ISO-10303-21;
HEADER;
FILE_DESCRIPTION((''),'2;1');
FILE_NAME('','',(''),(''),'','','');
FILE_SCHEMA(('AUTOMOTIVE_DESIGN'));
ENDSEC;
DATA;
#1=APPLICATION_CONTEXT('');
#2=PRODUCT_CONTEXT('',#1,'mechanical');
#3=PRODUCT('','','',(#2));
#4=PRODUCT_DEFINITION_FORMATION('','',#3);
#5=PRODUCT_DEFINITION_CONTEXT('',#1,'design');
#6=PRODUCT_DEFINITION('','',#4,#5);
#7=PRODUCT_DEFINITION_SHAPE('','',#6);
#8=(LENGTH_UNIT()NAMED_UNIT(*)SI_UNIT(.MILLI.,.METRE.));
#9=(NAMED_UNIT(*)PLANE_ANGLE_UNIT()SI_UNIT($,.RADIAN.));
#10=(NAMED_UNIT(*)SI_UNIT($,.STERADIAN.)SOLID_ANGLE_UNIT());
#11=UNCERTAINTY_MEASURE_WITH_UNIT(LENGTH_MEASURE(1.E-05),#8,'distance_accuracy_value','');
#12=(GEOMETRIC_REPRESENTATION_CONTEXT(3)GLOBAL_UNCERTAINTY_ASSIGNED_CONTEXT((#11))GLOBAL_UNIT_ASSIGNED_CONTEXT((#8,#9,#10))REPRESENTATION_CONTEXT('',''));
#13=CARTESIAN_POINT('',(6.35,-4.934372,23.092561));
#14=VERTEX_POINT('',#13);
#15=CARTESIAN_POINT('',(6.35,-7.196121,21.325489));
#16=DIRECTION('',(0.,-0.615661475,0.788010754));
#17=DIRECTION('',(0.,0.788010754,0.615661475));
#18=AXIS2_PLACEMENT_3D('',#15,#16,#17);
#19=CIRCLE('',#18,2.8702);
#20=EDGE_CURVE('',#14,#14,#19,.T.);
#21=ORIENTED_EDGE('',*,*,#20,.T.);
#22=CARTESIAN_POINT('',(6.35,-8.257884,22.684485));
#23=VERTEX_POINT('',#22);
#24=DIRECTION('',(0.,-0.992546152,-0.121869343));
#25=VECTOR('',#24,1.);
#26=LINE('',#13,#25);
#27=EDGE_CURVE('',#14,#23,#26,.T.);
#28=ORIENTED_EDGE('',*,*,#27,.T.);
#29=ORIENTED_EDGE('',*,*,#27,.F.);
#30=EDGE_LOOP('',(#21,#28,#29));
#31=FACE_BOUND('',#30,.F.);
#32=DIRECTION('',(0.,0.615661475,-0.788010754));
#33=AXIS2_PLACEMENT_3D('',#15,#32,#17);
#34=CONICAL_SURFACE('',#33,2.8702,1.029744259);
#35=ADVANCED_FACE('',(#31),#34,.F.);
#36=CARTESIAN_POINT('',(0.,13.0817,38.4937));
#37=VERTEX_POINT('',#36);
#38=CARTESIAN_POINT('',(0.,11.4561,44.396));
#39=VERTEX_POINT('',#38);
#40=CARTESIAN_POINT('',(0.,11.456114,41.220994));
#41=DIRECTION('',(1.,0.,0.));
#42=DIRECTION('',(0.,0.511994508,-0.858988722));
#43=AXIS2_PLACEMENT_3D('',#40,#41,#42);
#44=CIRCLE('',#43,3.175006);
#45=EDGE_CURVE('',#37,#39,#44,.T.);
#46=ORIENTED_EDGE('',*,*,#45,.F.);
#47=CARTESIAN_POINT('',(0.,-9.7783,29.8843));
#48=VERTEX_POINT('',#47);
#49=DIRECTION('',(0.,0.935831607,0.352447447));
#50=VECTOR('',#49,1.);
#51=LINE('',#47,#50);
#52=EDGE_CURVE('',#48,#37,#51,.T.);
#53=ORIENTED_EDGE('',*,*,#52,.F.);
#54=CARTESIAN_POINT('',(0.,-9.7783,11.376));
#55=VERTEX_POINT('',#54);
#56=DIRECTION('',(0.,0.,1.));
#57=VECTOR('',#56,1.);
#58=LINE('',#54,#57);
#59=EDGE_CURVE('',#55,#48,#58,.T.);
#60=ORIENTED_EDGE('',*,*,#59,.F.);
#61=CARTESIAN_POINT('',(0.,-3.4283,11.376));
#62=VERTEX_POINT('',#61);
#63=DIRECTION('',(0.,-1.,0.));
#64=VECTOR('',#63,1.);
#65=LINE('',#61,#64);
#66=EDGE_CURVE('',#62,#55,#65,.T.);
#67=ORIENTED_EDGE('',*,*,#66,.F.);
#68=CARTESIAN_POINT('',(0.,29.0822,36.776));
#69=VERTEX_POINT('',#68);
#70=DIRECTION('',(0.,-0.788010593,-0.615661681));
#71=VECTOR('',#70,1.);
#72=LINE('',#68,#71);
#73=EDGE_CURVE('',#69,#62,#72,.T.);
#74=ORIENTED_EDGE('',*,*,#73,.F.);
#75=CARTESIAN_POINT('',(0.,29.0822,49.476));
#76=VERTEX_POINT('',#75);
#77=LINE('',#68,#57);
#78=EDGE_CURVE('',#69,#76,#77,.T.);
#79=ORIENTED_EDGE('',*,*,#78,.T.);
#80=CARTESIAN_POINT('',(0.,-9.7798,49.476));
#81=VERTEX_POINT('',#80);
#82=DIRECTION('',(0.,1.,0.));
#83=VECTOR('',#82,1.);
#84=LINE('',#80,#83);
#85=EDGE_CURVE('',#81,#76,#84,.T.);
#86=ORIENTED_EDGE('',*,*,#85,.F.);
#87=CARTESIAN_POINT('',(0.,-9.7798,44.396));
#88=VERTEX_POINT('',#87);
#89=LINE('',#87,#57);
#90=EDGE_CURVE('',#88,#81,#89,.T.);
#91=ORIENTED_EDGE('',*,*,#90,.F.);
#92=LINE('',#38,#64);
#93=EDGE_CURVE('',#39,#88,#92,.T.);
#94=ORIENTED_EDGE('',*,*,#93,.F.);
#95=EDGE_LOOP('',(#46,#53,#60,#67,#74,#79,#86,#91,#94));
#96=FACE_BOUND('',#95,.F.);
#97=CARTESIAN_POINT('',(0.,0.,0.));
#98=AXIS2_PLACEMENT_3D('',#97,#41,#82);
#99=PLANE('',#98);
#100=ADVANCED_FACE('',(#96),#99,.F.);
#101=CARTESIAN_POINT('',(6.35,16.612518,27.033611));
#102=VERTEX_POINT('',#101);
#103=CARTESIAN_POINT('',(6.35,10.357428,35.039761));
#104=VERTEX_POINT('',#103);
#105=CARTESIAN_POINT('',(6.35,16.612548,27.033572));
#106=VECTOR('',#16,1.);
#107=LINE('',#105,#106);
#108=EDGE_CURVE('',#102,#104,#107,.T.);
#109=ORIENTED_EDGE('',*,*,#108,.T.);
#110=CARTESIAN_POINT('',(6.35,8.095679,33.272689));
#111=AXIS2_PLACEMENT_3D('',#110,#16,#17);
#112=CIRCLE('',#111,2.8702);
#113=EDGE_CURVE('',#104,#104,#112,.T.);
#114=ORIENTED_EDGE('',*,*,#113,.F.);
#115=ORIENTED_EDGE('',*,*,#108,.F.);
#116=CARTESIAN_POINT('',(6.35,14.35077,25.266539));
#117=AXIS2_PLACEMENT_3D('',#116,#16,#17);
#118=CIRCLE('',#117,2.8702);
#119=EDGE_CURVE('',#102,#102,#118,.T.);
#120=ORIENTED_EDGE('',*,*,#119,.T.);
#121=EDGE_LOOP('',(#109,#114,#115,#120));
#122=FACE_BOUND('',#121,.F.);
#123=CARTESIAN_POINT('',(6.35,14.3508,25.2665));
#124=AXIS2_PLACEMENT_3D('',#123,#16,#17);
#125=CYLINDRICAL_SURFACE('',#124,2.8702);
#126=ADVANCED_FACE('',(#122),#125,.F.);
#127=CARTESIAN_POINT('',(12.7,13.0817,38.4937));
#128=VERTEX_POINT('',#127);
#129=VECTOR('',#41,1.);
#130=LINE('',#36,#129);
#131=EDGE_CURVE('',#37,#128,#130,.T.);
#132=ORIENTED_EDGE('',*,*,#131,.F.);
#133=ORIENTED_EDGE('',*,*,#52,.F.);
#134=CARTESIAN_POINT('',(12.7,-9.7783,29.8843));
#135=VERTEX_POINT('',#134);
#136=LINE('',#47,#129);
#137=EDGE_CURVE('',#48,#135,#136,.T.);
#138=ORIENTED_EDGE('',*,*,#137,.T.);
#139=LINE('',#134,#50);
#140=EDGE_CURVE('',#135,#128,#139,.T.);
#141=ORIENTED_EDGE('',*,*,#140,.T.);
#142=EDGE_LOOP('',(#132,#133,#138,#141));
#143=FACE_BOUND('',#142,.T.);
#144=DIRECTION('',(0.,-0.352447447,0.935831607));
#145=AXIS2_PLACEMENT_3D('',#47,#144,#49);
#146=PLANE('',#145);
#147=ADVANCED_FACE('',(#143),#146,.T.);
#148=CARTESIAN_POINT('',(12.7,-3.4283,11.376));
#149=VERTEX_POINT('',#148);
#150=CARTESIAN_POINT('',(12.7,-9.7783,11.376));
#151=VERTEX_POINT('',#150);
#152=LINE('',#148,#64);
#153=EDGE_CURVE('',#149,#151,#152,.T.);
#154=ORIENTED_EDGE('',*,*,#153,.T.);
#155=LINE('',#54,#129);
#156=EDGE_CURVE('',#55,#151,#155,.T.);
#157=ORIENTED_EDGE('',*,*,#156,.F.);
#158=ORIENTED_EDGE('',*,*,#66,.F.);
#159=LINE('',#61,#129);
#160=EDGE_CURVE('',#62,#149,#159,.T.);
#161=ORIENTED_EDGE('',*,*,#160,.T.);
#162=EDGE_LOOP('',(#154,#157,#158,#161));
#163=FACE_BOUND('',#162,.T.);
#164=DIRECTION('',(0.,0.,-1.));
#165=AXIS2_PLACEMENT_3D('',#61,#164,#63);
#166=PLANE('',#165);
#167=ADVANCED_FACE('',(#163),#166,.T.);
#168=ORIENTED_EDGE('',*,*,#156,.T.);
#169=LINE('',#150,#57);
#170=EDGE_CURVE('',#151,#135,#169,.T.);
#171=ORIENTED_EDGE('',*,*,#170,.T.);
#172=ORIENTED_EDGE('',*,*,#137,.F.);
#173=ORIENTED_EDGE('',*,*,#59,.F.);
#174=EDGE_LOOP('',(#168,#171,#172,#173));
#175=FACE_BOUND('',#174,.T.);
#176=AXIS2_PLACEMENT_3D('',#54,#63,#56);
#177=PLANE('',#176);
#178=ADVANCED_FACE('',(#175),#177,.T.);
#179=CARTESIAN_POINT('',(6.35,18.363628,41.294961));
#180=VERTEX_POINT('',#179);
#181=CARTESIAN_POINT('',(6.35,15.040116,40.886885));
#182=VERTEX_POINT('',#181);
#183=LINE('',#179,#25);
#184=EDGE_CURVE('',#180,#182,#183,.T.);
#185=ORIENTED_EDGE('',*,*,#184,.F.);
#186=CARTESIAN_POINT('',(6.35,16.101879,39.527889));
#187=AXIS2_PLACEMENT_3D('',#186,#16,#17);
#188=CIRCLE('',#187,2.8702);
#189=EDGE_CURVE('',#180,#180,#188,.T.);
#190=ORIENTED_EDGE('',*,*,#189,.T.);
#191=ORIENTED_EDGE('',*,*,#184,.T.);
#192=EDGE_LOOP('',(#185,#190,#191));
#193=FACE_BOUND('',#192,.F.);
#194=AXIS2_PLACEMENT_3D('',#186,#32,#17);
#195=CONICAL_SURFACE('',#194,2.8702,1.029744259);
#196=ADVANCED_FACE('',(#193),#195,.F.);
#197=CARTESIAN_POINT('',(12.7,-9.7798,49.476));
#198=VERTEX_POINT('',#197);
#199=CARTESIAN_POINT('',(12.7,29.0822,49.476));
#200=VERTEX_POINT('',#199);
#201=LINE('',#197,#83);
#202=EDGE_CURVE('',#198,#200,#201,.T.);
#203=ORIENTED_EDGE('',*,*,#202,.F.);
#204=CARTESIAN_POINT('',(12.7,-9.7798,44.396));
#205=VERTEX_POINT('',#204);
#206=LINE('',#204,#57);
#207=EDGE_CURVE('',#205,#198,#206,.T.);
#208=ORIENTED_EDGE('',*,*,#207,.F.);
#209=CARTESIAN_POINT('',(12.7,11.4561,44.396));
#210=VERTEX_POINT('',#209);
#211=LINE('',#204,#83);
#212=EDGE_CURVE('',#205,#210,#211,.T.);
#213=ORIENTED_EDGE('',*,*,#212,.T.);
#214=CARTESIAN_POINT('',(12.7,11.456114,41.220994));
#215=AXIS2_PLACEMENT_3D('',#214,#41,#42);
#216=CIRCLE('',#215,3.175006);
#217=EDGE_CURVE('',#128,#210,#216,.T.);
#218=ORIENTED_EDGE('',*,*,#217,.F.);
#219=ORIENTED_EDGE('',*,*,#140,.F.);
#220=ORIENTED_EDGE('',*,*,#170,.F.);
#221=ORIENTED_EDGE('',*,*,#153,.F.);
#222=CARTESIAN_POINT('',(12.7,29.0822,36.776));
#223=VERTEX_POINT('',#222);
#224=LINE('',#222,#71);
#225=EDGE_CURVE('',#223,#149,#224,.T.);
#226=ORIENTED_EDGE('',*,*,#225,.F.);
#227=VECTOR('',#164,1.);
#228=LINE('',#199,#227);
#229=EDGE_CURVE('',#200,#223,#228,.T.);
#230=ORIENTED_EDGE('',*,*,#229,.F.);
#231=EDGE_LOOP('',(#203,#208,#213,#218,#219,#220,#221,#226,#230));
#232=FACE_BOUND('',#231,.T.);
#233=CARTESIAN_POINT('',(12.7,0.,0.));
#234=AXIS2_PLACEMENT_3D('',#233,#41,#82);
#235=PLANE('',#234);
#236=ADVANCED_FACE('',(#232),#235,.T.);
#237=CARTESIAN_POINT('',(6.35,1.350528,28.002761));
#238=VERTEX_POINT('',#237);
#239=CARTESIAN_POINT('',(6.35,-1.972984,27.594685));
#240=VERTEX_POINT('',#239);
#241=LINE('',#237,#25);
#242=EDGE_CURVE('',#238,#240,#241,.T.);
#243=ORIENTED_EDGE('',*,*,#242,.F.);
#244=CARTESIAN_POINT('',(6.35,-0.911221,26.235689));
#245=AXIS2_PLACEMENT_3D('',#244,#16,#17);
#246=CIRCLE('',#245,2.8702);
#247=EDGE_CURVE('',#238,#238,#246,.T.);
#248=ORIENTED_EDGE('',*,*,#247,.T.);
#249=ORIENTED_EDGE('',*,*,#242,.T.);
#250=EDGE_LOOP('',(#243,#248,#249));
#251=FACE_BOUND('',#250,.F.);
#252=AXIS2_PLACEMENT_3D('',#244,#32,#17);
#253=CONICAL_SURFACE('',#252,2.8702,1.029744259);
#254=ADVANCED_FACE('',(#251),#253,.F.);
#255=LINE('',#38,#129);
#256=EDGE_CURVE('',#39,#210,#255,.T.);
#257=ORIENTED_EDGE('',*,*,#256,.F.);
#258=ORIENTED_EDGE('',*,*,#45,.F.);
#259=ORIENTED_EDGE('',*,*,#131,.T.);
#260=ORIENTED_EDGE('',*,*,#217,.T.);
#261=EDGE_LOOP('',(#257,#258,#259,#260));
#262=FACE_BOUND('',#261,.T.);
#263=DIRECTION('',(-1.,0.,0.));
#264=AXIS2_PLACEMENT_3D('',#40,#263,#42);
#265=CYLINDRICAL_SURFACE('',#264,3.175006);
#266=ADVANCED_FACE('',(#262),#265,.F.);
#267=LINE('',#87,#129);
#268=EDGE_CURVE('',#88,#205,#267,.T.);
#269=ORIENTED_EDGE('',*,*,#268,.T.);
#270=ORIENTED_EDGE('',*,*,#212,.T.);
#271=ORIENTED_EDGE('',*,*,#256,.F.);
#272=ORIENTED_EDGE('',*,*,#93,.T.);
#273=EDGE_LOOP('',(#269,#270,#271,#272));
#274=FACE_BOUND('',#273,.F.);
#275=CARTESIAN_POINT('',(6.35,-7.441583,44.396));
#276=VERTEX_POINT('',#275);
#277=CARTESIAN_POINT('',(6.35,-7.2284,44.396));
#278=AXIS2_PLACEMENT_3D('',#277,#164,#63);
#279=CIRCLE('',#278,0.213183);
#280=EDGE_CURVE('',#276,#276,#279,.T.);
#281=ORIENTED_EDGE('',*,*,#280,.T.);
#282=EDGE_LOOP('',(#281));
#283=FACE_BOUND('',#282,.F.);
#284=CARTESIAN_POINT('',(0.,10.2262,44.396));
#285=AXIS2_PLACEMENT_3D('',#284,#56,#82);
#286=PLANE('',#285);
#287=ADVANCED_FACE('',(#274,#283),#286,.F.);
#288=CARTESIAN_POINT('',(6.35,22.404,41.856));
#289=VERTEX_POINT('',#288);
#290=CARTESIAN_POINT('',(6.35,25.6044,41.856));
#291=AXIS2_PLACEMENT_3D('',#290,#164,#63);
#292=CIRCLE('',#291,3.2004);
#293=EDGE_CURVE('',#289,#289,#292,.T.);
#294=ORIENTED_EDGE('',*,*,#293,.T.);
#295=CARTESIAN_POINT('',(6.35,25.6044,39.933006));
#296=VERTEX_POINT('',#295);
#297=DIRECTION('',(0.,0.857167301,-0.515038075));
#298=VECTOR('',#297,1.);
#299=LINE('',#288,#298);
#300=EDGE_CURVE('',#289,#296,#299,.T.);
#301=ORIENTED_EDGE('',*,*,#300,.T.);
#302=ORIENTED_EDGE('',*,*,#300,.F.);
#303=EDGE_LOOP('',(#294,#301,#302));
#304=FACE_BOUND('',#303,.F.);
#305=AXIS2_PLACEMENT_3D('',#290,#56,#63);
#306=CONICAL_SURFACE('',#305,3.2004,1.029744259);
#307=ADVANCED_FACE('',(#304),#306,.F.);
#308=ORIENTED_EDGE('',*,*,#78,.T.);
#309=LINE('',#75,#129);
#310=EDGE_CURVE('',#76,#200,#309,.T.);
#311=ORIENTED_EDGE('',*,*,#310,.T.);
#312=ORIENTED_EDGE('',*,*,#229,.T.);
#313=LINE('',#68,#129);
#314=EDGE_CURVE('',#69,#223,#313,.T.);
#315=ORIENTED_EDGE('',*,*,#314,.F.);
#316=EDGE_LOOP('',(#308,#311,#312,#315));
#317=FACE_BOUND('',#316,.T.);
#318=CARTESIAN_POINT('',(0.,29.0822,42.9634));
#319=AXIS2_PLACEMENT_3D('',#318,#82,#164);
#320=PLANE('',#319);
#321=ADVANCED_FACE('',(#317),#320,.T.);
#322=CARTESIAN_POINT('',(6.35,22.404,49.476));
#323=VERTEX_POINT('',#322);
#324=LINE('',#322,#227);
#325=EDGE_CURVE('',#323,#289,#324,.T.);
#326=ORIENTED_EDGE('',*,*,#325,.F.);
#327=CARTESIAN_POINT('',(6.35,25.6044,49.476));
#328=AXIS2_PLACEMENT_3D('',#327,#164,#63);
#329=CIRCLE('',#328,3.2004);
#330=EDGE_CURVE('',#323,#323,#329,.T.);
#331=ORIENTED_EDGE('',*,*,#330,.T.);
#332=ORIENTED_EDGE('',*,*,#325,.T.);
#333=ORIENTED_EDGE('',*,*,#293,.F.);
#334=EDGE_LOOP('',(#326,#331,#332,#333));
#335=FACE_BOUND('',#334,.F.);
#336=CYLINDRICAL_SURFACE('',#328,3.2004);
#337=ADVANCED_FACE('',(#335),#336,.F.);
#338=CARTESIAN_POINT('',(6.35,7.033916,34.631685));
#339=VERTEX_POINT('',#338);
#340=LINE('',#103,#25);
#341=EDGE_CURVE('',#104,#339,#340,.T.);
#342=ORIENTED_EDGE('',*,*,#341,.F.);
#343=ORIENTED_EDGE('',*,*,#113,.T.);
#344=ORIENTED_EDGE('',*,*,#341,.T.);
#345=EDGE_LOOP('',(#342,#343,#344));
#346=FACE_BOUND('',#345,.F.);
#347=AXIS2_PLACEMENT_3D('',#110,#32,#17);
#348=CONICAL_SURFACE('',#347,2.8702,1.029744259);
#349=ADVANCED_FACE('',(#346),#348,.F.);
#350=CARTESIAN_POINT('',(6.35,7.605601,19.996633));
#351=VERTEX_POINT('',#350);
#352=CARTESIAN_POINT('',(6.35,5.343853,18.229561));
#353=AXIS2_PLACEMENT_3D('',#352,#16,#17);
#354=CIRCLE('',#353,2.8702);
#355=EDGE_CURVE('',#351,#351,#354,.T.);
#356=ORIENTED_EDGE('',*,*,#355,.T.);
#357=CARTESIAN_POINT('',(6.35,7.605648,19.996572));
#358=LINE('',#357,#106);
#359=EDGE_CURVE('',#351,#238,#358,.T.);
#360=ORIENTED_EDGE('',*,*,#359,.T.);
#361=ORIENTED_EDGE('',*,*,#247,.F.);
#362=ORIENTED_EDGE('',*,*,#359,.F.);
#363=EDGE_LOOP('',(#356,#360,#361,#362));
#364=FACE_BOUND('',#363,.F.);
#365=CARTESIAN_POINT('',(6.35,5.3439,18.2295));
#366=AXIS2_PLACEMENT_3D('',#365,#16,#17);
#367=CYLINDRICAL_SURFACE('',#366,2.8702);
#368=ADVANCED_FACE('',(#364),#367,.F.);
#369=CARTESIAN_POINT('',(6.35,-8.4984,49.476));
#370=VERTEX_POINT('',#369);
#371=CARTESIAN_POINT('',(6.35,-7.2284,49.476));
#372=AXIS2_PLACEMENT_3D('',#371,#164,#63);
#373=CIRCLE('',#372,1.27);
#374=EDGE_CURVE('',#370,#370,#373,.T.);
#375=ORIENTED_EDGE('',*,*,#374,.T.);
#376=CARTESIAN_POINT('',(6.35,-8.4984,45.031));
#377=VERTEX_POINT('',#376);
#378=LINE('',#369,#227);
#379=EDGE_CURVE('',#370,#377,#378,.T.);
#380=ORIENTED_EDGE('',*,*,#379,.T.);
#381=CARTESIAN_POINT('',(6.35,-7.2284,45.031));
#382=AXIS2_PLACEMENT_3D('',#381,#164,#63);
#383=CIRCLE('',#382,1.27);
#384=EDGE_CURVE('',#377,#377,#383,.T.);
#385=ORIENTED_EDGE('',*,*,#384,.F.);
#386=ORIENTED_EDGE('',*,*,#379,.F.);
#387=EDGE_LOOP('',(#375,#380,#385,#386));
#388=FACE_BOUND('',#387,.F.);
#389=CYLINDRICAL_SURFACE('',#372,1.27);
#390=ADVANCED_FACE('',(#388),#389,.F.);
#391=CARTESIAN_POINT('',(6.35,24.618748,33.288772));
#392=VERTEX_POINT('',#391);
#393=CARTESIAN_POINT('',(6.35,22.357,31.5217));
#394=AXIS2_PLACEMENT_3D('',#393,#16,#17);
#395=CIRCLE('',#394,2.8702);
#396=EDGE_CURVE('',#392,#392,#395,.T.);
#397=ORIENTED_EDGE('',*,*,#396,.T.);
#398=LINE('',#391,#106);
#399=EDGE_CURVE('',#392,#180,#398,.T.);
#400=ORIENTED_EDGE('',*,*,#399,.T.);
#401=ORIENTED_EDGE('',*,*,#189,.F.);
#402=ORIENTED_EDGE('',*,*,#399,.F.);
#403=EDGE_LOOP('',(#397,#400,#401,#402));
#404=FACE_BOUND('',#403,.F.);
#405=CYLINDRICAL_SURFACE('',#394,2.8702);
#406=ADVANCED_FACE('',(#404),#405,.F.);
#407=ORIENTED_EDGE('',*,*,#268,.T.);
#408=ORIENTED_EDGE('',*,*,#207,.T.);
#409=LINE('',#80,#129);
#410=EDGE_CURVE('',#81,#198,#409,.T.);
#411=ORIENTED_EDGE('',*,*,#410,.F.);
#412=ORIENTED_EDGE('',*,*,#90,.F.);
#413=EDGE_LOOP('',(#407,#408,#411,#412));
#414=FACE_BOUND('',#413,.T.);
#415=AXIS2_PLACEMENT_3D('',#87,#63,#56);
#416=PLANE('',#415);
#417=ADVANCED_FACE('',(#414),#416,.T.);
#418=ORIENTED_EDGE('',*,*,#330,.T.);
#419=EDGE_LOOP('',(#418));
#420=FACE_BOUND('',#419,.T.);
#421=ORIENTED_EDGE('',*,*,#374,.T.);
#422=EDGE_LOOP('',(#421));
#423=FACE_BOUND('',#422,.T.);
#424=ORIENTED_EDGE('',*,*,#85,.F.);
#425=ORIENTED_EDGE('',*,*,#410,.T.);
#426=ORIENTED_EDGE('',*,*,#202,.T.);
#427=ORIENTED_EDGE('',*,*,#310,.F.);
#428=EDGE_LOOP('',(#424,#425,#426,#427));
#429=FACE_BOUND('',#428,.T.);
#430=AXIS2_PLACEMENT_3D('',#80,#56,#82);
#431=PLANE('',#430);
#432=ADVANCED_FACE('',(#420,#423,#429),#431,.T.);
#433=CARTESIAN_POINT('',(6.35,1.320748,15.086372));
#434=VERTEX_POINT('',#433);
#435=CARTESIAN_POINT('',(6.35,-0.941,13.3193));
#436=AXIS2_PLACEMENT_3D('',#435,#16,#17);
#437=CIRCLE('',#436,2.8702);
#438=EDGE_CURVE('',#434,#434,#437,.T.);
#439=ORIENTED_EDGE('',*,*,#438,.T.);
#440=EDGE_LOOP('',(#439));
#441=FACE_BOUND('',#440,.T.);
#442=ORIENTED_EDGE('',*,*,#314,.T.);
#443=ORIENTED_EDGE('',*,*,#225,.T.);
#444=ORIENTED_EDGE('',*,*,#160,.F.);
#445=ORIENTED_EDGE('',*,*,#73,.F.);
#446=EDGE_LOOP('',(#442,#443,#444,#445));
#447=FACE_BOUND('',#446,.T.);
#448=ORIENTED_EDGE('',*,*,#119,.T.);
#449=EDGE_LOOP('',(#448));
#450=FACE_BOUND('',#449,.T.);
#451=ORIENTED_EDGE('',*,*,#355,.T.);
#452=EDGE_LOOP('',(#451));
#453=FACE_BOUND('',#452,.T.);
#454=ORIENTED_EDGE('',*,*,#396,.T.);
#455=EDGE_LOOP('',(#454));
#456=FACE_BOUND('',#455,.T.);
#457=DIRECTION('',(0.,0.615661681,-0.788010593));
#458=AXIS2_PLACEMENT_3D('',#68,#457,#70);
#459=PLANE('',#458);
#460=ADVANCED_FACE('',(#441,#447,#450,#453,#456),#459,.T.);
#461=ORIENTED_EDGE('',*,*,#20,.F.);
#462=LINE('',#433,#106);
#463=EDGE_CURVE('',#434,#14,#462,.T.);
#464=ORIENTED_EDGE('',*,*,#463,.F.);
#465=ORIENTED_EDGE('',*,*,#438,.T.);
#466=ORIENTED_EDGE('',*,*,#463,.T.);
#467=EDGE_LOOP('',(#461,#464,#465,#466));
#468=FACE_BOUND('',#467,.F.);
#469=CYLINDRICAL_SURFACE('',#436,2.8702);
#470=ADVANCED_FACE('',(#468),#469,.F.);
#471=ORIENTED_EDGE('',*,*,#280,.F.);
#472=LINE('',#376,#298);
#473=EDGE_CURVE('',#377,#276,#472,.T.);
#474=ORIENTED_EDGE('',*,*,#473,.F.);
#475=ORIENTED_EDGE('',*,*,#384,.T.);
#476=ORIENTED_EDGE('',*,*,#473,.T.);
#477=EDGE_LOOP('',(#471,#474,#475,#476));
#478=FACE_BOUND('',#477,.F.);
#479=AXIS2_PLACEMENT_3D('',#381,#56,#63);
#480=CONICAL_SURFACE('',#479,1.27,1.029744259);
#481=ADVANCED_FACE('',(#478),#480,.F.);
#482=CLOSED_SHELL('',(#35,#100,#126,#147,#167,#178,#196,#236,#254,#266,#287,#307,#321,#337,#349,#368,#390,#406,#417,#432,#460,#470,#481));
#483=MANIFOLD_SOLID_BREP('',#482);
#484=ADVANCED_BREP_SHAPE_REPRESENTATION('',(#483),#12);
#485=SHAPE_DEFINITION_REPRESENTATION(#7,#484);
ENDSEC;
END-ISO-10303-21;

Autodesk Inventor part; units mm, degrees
ref_plane "YZ Plane" through (0, 0, 0) normal (1, 0, 0) x (0, 1, 0)
ref_plane "XZ Plane" through (0, 0, 0) normal (0, 1, 0) x (-1, 0, 0)
ref_plane "XY Plane" through (0, 0, 0) normal (0, 0, 1) x (1, 0, 0)
sketch "Sketch1" plane through (0, 0, 0) normal (1, 0, 0) x (0, 1, 0)
  point P0 (0, 0)
sketch "Sketch2" plane through (0, 0, 0) normal (1, 0, 0) x (0, 1, 0)
  line L0 (29.0822, 42.9634) -> (29.0822, 36.776)
  line L1 (29.0822, 36.776) -> (-3.4283, 11.376)
  line L2 (-3.4283, 11.376) -> (-9.7783, 11.376)
  line L3 (-9.7783, 11.376) -> (-9.7783, 29.8843)
  line L4 (-9.7783, 29.8843) -> (13.0817, 38.4937)
  line L5 (10.2262, 44.396) -> (-9.7798, 44.396)
  line L6 (-9.7798, 44.396) -> (-9.7798, 49.476)
  line L7 (-9.7798, 49.476) -> (29.0822, 49.476)
  line L8 (29.0822, 49.476) -> (29.0822, 42.9634)
  line L9 (10.2262, 44.396) -> (11.4561, 44.396)
  arc A0 (13.0817, 38.4937) -> (11.4561, 44.396) centre (11.4561, 41.221) ccw
  point P0 (0, 0)
  dimension "d0" = 5.08
  dimension "d1" = 6.35
  dimension "d2" = 38.1
  dimension "d3" = 38
  dimension "d4" = 3.175
  dimension "d5" = 21.2344
  dimension "d6" = 12.7
  dimension "d7" = 38.862
  dimension "d9" = 22.86
extrude "Extrusion1" add sketch "Sketch2" along normal blind 12.7
sketch "Sketch4" plane through (0, -9.7798, 49.476) normal (0, 0, 1) x (1, 0, 0)
  point P0 (0, 9.7798)
  point P1 (6.35, 35.3841)
hole "Hole1" at (6.35, 25.6044, 49.476) direction (0, 0, -1) diameter 6.4008 depth 7.62 tip angle 118 thread size "5/16-18 UNC" class "2B" standard "ANSI Unified Screw Threads"
sketch "Sketch5" plane through (0, -9.7798, 49.476) normal (0, 0, 1) x (1, 0, 0)
  point P0 (0, 9.7798)
  point P1 (6.35, 2.5513)
hole "Hole2" at (6.35, -7.2284, 49.476) direction (0, 0, -1) diameter 2.54 depth 4.445 tip angle 118
sketch "Sketch6" plane through (12.7, 29.0822, 36.776) normal (0, 0.6157, -0.788) x (-1, 0, 0)
  line L0 (12.7, -46.2603) -> (0, -46.2603) construction
  line L1 (6.35, -46.2603) -> (6.35, -0.205) construction
  line L2 (12.7, 0) -> (0, 0) construction
  point P0 (12.7, -45.5586)
  point P1 (6.35, -8.5344)
  point P2 (6.35, -18.6944)
  point P3 (6.35, -30.1244)
  point P4 (6.35, -38.1)
  dimension "d26" = 8.5344
  dimension "d27" = 18.6944
  dimension "d28" = 30.1244
  dimension "d29" = 38.1
hole "Hole3" at (6.35, 22.357, 31.5217) at (6.35, 14.3508, 25.2665) at (6.35, 5.3439, 18.2295) at (6.35, -0.941, 13.3193) direction (0, -0.6157, 0.788) diameter 5.7404 depth 10.16 tip angle 118
properties part number "Hole part"
